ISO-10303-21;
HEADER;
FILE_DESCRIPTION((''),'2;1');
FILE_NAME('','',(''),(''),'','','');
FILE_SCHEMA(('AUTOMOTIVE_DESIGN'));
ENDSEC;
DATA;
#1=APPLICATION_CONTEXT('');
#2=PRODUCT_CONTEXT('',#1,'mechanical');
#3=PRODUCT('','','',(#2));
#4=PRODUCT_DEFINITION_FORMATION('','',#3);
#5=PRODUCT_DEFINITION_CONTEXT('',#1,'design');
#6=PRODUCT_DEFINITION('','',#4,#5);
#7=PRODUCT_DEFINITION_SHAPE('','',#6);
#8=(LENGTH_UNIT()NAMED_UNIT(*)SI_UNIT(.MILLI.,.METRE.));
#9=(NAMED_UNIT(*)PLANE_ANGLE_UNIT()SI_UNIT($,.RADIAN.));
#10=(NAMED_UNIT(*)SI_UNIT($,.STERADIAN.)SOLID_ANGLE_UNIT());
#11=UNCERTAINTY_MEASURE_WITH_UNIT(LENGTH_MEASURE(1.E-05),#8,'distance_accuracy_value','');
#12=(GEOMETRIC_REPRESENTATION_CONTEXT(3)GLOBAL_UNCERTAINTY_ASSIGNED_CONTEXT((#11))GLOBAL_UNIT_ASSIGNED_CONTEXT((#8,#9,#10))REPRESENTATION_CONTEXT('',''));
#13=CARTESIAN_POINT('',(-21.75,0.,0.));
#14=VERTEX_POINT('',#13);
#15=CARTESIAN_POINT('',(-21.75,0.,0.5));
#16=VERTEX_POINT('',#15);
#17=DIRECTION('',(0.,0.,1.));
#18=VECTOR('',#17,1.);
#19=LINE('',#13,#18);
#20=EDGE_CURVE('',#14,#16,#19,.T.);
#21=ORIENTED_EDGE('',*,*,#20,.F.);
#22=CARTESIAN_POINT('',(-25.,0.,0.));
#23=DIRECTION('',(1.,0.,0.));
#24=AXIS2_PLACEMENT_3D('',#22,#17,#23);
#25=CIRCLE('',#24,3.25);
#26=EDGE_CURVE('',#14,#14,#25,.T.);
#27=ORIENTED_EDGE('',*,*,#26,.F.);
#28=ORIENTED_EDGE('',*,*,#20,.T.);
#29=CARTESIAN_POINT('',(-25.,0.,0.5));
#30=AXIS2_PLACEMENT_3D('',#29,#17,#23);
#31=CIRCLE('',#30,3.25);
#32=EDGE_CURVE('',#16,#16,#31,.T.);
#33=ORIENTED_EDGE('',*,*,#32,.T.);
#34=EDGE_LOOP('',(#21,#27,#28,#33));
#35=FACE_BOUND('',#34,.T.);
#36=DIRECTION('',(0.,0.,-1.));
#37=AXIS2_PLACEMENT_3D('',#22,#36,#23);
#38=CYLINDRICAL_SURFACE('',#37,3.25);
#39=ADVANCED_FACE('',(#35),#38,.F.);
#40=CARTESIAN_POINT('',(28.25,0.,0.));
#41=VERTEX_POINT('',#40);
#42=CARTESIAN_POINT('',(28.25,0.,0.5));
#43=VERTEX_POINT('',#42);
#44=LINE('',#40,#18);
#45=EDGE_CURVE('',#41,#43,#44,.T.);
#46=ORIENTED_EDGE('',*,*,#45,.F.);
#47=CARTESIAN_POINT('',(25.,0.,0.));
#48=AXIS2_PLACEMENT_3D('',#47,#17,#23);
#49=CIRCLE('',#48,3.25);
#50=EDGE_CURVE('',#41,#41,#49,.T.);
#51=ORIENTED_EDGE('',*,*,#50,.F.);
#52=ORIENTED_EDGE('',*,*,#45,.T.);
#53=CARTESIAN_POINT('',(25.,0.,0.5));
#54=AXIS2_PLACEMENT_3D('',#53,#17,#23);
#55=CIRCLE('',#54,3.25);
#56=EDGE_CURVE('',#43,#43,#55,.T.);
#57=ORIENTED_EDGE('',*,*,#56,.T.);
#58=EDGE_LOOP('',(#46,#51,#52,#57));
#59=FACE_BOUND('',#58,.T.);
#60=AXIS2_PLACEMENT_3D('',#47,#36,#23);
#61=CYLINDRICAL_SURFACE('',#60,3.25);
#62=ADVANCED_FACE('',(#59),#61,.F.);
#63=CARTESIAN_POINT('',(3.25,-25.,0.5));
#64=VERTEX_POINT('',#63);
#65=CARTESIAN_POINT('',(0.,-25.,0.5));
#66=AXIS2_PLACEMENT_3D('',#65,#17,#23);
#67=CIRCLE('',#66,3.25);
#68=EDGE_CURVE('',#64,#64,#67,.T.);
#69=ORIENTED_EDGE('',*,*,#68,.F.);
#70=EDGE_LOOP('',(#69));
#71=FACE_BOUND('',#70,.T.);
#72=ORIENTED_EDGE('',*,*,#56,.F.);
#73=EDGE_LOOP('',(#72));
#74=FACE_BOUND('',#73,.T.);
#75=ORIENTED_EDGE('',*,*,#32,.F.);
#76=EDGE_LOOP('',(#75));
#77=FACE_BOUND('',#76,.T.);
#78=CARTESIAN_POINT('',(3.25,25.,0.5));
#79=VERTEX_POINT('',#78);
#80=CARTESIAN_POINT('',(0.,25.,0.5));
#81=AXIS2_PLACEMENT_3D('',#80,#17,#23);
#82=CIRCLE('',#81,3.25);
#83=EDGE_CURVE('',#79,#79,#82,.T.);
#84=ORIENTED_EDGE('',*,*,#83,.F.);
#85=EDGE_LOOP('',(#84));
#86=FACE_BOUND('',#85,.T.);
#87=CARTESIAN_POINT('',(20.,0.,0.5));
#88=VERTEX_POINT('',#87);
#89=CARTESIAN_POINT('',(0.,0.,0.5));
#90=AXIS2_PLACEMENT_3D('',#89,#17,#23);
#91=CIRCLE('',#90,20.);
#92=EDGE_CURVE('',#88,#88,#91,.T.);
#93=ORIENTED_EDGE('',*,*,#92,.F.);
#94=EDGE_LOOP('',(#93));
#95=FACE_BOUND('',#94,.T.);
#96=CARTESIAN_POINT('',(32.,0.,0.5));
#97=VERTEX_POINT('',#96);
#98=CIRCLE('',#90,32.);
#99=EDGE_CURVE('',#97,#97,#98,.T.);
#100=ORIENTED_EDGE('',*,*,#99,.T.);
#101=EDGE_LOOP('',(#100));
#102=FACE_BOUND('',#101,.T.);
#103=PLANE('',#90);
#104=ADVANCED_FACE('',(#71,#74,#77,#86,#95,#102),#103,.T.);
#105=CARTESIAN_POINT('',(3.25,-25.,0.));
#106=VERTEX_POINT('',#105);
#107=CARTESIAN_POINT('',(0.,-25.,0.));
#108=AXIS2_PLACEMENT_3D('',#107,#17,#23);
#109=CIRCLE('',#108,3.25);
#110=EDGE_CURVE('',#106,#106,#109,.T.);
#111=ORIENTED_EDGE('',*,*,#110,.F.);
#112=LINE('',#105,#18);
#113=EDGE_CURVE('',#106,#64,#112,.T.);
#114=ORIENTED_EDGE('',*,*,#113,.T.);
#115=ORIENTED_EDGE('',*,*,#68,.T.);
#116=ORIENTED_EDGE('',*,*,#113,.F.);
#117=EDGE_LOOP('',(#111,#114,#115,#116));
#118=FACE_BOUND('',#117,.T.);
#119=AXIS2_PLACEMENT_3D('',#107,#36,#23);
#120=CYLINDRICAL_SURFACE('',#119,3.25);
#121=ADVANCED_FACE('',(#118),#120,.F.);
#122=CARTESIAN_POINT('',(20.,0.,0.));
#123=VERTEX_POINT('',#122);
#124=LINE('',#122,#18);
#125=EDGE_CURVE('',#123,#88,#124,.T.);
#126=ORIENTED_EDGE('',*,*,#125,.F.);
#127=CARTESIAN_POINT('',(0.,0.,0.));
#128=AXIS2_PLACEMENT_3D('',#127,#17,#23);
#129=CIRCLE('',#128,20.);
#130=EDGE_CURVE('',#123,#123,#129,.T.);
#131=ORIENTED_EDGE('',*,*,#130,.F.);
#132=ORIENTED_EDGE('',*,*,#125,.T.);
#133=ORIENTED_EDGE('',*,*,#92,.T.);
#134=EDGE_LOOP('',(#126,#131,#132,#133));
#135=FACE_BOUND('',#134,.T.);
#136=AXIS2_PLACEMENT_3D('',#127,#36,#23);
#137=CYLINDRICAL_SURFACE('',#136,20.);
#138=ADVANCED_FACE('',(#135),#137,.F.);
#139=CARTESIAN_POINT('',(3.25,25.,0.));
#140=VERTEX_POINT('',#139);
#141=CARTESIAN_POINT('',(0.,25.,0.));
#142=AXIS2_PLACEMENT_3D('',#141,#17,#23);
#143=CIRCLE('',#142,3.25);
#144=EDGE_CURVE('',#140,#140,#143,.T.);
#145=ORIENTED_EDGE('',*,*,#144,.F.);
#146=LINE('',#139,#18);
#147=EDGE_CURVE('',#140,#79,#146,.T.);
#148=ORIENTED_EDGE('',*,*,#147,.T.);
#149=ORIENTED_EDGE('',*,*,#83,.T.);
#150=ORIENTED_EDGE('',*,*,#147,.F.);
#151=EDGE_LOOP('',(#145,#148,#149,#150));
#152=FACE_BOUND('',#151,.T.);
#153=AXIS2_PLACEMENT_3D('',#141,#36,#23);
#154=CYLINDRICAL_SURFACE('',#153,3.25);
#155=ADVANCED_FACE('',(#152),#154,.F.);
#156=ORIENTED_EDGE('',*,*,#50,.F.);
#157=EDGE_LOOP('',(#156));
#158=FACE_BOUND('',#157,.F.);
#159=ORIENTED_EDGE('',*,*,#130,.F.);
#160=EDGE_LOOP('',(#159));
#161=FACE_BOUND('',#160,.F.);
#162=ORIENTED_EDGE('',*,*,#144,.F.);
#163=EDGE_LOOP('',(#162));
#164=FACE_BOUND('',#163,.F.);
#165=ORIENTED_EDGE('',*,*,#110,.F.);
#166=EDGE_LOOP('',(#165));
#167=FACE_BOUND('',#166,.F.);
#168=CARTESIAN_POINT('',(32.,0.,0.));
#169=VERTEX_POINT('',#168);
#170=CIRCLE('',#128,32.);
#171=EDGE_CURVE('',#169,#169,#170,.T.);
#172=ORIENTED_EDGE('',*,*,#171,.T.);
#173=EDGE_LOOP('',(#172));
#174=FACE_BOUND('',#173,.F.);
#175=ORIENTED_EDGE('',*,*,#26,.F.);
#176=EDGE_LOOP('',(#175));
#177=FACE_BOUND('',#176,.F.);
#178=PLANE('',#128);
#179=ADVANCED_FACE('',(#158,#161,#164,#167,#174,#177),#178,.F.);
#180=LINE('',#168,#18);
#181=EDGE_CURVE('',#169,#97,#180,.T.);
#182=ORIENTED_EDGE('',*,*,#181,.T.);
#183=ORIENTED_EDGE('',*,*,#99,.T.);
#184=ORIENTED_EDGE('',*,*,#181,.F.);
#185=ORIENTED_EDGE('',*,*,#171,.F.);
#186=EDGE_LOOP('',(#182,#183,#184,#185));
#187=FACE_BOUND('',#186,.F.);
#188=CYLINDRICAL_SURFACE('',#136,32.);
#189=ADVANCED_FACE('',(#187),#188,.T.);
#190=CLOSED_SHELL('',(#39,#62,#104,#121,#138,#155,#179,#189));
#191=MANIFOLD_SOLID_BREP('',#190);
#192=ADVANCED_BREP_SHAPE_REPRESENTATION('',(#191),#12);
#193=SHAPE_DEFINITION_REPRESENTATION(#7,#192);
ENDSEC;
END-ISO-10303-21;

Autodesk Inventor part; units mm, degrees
ref_plane "YZ Plane" through (0, 0, 0) normal (1, 0, 0) x (0, 1, 0)
ref_plane "XZ Plane" through (0, 0, 0) normal (0, 1, 0) x (-1, 0, 0)
ref_plane "XY Plane" through (0, 0, 0) normal (0, 0, 1) x (1, 0, 0)
sketch "Sketch1" plane through (0, 0, 0) normal (0, 0, 1) x (1, 0, 0)
  circle A0 centre (0, 0) radius 20
  circle A1 centre (0, 0) radius 25 construction
  circle A2 centre (0, 0) radius 32
  circle A3 centre (0, 25) radius 3.25
  circle A4 centre (-25, 0) radius 3.25
  circle A5 centre (0, -25) radius 3.25
  circle A6 centre (25, 0) radius 3.25
  dimension "d1" = 50
  dimension "d0" = 40
  dimension "d2" = 64
  dimension "d3" = 6.5
  dimension "d6" = 360
extrude "Extrusion1" add sketch "Sketch1" along normal blind 0.5
properties part number "CylinderPacking"
